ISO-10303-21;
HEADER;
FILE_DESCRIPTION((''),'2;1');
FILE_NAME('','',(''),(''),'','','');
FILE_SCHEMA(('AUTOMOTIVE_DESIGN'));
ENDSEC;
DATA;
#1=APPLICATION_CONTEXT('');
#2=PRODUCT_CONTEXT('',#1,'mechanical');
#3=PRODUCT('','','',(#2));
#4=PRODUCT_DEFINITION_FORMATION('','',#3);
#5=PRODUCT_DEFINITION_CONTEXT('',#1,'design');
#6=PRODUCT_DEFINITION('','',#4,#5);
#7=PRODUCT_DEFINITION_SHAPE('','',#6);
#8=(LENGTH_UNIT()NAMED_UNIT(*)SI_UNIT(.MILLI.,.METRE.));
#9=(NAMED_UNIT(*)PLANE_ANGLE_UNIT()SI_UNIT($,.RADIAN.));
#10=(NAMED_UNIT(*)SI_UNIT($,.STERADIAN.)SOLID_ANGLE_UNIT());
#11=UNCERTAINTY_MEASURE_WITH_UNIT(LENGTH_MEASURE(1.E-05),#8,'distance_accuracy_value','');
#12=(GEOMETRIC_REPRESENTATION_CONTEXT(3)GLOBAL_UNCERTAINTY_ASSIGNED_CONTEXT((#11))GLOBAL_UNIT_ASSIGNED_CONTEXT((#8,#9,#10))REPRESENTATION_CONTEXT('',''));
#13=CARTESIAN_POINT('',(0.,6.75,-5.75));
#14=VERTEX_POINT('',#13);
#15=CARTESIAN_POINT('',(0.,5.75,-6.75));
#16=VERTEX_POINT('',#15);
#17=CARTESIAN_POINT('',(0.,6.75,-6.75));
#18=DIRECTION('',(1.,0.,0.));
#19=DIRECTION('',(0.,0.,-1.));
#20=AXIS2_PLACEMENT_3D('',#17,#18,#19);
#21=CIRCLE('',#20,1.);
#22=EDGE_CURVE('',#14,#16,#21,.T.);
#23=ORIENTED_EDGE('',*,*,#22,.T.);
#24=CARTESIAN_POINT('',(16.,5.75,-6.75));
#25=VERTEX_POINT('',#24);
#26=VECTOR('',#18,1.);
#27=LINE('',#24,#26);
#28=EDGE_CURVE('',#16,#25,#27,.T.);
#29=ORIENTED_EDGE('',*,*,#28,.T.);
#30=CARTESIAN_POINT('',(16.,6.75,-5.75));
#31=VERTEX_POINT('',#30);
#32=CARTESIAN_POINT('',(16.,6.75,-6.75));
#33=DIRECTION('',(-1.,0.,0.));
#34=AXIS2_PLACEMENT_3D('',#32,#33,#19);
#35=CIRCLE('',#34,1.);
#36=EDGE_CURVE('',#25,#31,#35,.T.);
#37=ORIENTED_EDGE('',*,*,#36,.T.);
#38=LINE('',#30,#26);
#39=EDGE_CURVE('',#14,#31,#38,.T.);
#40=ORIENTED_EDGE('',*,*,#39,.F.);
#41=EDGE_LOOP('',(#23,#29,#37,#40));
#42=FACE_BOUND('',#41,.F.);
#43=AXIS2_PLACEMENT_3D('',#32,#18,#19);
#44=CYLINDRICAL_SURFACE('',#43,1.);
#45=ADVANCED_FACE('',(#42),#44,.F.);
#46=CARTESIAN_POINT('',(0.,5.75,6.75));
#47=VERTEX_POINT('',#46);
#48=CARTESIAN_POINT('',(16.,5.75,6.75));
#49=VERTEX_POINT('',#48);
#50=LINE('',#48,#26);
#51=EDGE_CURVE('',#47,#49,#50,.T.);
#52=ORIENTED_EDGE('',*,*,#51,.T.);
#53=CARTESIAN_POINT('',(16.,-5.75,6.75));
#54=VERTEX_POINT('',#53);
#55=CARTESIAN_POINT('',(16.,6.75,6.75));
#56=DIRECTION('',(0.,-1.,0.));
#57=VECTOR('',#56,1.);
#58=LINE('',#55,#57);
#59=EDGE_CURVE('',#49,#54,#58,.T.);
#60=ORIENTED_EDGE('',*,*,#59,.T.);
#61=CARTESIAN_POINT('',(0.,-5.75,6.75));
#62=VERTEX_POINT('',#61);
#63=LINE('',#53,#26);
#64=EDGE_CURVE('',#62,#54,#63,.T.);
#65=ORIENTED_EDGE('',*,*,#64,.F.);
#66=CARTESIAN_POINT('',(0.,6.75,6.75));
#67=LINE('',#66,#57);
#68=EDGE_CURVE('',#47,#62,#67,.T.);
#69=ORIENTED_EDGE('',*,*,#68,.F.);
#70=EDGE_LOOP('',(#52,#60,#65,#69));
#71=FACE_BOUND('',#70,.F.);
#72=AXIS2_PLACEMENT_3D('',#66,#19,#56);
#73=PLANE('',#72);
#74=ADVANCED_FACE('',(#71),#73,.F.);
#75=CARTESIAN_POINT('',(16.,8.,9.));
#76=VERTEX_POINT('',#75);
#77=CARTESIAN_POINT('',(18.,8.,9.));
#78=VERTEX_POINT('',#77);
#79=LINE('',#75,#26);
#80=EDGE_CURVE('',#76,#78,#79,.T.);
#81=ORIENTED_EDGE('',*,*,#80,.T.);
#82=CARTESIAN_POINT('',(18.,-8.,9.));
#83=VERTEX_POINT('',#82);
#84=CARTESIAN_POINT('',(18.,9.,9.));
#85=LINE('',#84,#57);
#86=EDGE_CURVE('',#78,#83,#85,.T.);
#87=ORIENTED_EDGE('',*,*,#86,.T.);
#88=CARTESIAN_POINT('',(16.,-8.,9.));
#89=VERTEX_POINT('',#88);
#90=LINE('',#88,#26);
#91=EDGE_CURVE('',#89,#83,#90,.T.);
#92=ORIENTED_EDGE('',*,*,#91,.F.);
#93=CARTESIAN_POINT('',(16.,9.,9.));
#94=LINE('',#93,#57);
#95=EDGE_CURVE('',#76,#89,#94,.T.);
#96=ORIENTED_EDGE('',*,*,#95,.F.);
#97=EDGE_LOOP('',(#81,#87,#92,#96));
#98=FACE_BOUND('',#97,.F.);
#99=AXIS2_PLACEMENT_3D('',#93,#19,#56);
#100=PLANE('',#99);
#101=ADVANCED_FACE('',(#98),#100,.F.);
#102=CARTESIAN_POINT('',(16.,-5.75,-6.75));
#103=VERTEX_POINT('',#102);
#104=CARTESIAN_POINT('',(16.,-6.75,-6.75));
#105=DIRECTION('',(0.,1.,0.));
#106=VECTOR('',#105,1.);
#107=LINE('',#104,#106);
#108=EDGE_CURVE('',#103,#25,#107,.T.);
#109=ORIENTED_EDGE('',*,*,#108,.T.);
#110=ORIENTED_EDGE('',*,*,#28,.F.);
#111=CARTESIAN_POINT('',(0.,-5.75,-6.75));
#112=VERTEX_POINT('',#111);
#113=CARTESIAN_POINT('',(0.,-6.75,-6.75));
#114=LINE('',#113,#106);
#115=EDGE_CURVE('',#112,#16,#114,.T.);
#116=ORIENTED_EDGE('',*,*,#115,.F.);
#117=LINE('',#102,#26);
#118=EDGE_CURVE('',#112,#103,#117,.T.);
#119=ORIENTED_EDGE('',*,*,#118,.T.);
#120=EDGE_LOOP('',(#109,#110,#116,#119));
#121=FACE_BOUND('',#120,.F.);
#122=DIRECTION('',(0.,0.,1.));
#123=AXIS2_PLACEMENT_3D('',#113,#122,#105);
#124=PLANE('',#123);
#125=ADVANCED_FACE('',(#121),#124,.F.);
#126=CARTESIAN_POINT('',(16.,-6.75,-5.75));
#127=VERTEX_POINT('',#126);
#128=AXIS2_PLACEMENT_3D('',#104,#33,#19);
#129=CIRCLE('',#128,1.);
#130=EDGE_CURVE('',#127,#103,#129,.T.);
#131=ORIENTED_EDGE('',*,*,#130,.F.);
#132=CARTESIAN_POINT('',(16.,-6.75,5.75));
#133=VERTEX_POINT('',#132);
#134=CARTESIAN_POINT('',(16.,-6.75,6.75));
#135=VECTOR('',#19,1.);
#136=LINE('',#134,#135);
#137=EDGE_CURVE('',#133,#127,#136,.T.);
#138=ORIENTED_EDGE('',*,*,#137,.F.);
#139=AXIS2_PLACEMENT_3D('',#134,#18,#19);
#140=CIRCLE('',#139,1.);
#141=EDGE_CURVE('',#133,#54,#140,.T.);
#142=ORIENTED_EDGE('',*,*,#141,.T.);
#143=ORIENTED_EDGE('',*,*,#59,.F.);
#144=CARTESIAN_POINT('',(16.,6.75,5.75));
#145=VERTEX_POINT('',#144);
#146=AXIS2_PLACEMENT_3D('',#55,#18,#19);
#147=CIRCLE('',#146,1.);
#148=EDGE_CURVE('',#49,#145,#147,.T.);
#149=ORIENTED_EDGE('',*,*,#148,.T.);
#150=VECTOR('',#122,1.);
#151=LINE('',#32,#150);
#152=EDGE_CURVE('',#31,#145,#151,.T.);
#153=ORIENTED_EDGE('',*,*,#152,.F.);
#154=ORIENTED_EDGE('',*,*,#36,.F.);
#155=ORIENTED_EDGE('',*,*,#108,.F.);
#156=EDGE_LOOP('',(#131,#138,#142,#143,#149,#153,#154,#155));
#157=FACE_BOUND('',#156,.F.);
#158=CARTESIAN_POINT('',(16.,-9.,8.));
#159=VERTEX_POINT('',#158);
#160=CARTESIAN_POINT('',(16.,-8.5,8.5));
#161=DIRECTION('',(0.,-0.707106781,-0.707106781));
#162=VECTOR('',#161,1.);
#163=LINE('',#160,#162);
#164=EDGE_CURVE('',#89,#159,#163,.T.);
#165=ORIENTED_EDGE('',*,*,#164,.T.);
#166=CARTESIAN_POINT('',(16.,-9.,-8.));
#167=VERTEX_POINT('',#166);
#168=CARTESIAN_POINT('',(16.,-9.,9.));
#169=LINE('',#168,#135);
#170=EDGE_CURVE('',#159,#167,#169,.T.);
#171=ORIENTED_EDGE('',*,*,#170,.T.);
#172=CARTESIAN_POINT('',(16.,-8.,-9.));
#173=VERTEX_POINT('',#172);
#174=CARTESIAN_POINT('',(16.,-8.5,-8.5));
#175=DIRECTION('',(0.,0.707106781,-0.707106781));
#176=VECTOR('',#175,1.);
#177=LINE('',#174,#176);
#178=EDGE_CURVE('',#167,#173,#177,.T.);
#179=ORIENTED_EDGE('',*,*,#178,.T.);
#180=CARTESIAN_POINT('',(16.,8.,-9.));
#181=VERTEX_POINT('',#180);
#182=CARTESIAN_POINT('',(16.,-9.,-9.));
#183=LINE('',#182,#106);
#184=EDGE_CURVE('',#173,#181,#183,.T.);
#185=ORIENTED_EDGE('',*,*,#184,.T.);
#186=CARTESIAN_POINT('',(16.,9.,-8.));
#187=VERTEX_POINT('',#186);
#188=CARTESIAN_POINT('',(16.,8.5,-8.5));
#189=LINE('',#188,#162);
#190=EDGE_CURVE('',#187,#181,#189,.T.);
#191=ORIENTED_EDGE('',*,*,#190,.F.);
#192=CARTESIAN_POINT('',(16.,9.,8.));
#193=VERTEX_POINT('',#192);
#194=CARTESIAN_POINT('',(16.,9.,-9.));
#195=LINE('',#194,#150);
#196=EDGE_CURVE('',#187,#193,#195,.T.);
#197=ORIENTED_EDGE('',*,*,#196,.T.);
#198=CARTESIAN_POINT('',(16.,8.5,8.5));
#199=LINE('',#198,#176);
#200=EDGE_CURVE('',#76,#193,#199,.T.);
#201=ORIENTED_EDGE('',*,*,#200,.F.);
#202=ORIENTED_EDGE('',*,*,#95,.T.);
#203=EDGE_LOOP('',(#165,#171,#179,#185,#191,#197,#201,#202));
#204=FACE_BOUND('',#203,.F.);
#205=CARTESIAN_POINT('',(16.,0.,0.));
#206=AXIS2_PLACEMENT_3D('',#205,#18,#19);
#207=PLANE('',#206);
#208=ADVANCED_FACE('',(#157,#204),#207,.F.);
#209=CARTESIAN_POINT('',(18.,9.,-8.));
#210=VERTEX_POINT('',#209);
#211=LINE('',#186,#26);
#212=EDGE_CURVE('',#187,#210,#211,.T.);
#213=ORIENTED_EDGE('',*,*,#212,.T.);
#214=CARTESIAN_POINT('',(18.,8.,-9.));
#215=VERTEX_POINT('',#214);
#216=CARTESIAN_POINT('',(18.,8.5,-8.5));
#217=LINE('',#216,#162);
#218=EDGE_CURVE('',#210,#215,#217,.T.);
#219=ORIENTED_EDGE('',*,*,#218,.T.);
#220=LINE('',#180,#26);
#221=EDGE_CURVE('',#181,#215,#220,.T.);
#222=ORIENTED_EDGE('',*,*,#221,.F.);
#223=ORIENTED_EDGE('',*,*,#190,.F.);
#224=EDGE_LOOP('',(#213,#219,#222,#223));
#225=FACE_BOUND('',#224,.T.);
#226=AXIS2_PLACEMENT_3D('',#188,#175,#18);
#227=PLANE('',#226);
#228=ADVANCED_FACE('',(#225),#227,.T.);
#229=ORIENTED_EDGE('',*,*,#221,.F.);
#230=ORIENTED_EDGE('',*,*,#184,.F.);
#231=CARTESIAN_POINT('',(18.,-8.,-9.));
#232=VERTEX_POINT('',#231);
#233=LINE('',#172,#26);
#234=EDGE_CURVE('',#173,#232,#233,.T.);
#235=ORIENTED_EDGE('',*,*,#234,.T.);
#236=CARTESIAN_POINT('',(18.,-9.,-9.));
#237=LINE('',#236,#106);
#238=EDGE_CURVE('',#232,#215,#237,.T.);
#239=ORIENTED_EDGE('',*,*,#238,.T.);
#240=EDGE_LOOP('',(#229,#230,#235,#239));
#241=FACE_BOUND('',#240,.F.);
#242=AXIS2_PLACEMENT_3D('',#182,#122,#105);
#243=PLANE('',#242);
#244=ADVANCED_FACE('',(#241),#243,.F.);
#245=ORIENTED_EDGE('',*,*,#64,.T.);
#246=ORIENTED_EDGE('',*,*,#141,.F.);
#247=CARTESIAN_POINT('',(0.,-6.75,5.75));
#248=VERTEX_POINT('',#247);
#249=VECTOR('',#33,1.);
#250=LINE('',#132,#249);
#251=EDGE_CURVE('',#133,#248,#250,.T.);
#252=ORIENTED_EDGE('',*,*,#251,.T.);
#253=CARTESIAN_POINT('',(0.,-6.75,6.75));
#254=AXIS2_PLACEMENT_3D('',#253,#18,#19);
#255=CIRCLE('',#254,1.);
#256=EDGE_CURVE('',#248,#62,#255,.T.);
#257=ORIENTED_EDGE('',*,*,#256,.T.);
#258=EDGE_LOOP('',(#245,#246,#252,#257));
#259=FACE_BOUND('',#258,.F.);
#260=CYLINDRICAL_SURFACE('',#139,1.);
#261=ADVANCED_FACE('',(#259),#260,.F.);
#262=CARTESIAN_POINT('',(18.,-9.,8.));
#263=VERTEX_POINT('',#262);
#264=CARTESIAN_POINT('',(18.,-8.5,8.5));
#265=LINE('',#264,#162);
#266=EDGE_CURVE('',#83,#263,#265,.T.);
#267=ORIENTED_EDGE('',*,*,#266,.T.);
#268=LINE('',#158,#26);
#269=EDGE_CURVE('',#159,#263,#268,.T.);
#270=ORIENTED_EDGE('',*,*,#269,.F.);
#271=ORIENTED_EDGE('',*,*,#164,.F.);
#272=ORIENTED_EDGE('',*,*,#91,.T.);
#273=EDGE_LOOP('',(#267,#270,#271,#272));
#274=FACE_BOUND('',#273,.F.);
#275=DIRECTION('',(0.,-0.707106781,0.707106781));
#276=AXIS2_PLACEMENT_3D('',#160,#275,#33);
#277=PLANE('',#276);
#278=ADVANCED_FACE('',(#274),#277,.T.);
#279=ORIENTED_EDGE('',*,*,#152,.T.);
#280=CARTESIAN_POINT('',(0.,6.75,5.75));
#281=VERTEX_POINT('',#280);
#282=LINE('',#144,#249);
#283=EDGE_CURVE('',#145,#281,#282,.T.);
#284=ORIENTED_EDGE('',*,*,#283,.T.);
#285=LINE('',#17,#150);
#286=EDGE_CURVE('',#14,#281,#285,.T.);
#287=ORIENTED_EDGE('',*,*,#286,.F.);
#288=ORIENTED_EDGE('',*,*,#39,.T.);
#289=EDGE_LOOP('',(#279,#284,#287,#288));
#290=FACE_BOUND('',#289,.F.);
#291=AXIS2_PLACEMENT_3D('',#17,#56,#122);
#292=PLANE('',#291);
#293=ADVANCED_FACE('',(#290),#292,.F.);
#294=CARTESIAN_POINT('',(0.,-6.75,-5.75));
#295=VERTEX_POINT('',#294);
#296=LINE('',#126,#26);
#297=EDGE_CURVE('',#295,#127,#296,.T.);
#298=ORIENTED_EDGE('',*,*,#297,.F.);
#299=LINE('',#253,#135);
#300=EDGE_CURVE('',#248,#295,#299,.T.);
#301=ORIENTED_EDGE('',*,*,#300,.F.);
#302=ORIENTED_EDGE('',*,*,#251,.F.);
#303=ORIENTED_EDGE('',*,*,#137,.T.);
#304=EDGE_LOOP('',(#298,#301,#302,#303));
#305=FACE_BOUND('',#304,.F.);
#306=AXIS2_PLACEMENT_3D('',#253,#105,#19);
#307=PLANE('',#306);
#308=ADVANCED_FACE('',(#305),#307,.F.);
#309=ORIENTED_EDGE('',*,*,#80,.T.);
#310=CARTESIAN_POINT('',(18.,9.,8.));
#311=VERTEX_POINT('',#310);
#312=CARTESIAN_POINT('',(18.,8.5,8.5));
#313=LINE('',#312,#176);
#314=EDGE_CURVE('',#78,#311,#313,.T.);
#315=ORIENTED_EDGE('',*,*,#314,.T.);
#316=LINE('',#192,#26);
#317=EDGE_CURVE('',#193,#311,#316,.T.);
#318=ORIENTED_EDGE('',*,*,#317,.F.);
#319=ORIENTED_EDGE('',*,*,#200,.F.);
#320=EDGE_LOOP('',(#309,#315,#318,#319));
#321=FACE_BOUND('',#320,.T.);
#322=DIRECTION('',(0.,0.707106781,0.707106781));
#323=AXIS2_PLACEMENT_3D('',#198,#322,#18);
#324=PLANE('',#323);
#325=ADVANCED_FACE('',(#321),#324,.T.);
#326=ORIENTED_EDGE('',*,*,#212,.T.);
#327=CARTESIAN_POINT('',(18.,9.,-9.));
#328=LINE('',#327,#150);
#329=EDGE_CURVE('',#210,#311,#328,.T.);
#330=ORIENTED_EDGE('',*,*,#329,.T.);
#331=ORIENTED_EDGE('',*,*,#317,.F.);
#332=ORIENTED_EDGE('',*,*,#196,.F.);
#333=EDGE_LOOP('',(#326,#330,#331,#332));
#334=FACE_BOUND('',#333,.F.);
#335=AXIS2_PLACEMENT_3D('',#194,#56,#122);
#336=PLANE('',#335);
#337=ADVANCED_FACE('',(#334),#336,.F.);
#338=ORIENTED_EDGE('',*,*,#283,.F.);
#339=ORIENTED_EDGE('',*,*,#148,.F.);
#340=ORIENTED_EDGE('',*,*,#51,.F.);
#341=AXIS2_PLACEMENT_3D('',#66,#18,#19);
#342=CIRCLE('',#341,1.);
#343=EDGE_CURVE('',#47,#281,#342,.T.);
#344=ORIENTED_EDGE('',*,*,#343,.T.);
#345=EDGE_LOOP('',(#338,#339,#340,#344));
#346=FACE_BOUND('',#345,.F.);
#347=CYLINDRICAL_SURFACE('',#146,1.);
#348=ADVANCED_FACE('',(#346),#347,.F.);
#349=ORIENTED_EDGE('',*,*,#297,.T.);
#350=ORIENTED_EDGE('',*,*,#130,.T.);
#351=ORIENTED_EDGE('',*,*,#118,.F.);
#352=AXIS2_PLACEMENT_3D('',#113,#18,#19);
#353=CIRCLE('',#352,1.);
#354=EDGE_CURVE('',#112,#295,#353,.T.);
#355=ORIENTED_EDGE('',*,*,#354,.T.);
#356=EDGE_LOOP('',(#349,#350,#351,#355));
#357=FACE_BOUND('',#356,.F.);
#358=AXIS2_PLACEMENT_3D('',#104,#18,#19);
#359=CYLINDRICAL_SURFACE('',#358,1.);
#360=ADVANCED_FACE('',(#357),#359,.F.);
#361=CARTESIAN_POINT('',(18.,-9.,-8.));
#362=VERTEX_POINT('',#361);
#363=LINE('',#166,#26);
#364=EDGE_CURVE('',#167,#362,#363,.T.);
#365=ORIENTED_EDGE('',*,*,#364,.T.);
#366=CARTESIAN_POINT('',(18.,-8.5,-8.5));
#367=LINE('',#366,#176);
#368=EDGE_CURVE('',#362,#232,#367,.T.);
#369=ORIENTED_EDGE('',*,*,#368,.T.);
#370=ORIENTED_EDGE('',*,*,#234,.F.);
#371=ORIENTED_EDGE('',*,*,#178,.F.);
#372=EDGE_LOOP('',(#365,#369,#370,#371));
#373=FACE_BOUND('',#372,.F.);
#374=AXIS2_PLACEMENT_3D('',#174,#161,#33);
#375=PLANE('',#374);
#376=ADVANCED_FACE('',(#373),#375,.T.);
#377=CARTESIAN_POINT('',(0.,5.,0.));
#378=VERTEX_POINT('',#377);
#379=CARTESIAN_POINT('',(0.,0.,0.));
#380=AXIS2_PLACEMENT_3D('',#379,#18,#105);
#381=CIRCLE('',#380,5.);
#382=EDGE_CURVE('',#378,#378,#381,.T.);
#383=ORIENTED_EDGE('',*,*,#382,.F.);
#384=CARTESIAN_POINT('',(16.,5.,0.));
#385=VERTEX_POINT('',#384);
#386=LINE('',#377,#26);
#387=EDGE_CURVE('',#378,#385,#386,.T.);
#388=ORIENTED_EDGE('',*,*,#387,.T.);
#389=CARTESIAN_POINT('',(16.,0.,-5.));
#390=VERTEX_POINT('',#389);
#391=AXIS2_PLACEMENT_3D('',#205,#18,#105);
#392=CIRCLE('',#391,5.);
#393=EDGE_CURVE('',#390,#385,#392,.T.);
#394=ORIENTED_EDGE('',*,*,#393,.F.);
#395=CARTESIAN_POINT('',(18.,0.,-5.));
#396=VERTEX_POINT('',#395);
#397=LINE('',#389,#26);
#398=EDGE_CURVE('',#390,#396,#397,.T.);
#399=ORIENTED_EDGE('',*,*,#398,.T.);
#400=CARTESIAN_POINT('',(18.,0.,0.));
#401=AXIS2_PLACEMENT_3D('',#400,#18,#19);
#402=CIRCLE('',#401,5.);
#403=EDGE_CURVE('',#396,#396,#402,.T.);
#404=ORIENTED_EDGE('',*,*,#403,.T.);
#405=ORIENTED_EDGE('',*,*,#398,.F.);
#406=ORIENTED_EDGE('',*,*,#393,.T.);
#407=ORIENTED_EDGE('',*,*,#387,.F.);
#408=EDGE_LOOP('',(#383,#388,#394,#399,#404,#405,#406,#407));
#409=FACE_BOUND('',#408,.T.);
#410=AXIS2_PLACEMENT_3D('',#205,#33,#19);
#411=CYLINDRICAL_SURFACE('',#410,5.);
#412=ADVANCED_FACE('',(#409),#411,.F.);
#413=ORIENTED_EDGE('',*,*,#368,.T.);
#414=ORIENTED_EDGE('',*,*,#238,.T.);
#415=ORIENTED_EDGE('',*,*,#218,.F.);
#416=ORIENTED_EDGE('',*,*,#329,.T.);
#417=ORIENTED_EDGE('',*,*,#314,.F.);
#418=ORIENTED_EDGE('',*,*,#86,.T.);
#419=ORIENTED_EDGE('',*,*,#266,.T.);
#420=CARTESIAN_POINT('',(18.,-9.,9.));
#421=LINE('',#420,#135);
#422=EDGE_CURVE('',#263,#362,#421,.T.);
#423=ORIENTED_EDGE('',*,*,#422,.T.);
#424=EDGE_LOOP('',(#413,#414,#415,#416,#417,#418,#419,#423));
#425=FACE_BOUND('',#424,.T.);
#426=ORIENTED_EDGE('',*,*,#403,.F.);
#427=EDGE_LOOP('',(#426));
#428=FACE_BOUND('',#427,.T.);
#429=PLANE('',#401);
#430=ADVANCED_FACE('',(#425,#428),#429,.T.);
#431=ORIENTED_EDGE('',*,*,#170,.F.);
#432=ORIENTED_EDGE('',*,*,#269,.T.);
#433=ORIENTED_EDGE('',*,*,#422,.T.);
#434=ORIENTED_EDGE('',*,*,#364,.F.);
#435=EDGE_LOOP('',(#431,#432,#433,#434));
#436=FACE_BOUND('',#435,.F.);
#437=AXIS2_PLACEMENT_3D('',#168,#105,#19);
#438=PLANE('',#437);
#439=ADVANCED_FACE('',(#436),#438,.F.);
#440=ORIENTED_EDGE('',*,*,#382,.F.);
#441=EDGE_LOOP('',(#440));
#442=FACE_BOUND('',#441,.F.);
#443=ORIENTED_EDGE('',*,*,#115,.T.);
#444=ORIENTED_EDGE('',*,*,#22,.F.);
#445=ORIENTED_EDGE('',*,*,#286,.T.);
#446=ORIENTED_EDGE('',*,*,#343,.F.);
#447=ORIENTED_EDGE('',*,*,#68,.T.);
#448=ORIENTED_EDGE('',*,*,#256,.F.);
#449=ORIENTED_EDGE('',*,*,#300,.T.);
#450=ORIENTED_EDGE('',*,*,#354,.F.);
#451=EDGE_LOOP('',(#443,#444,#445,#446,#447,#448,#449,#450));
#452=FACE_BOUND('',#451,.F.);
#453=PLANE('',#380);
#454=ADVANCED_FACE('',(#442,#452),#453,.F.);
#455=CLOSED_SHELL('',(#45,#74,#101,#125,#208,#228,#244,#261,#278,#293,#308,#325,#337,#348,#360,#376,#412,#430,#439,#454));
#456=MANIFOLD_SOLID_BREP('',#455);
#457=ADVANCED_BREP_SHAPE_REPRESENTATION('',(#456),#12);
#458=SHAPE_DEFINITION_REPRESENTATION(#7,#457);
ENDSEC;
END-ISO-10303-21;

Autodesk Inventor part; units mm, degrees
ref_plane "YZ Plane" through (0, 0, 0) normal (1, 0, 0) x (0, 1, 0)
ref_plane "XZ Plane" through (0, 0, 0) normal (0, 1, 0) x (-1, 0, 0)
ref_plane "XY Plane" through (0, 0, 0) normal (0, 0, 1) x (1, 0, 0)
sketch "Эскиз1" plane through (0, 0, 0) normal (1, 0, 0) x (0, 1, 0)
  line L0 (6.75, 6.75) -> (-6.75, 6.75)
  line L1 (-6.75, 6.75) -> (-6.75, -6.75)
  line L2 (-6.75, -6.75) -> (6.75, -6.75)
  line L3 (6.75, -6.75) -> (6.75, 6.75)
  circle A0 centre (0, 0) radius 5
  dimension "d0" = 13.5
  dimension "d1" = 13.5
  dimension "d2" = 6.75
  dimension "d3" = 6.75
  dimension "d4" = 10
extrude "Выдавливание1" add sketch "Эскиз1" along normal blind 16
ref_plane "РабПлоскость1" through (16, 0, 0) normal (1, 0, 0) x (0, 0, -1)
sketch "Эскиз2" plane through (16, 0, 0) normal (1, 0, 0) x (0, 0, -1)
  line L0 (6.75, -6.75) -> (6.75, 6.75) projected
  circle A0 centre (6.75, 6.75) radius 1
  line L1 (6.75, 6.75) -> (-6.75, 6.75) projected
  circle A1 centre (-6.75, 6.75) radius 1
  line L2 (-6.75, -6.75) -> (6.75, -6.75) projected
  circle A2 centre (-6.75, -6.75) radius 1
  circle A3 centre (6.75, -6.75) radius 1
  point P0 (0, 0)
  dimension "d8" = 2
  dimension "d9" = 2
  dimension "d10" = 2
  dimension "d11" = 2
extrude "Выдавливание2" cut sketch "Эскиз2" against normal blind 16
sketch "Эскиз3" plane through (16, 0, 0) normal (1, 0, 0) x (0, 0, -1)
  line L0 (-9, -9) -> (9, -9)
  line L1 (9, -9) -> (9, 9)
  line L2 (9, 9) -> (-9, 9)
  line L3 (-9, 9) -> (-9, -9)
  line L4 (-9, -9) -> (9, 9) construction
  line L5 (9, -9) -> (-9, 9) construction
  circle A0 centre (0, 0) radius 5
  dimension "d14" = 18
  dimension "d15" = 18
extrude "Выдавливание3" add sketch "Эскиз3" along normal blind 2
chamfer "Фаска1" distance 1 angle 45 4 edges at (17, 9, 9) (17, 9, -9) (17, -9, 9) (17, -9, -9)
properties part number "переходник"
